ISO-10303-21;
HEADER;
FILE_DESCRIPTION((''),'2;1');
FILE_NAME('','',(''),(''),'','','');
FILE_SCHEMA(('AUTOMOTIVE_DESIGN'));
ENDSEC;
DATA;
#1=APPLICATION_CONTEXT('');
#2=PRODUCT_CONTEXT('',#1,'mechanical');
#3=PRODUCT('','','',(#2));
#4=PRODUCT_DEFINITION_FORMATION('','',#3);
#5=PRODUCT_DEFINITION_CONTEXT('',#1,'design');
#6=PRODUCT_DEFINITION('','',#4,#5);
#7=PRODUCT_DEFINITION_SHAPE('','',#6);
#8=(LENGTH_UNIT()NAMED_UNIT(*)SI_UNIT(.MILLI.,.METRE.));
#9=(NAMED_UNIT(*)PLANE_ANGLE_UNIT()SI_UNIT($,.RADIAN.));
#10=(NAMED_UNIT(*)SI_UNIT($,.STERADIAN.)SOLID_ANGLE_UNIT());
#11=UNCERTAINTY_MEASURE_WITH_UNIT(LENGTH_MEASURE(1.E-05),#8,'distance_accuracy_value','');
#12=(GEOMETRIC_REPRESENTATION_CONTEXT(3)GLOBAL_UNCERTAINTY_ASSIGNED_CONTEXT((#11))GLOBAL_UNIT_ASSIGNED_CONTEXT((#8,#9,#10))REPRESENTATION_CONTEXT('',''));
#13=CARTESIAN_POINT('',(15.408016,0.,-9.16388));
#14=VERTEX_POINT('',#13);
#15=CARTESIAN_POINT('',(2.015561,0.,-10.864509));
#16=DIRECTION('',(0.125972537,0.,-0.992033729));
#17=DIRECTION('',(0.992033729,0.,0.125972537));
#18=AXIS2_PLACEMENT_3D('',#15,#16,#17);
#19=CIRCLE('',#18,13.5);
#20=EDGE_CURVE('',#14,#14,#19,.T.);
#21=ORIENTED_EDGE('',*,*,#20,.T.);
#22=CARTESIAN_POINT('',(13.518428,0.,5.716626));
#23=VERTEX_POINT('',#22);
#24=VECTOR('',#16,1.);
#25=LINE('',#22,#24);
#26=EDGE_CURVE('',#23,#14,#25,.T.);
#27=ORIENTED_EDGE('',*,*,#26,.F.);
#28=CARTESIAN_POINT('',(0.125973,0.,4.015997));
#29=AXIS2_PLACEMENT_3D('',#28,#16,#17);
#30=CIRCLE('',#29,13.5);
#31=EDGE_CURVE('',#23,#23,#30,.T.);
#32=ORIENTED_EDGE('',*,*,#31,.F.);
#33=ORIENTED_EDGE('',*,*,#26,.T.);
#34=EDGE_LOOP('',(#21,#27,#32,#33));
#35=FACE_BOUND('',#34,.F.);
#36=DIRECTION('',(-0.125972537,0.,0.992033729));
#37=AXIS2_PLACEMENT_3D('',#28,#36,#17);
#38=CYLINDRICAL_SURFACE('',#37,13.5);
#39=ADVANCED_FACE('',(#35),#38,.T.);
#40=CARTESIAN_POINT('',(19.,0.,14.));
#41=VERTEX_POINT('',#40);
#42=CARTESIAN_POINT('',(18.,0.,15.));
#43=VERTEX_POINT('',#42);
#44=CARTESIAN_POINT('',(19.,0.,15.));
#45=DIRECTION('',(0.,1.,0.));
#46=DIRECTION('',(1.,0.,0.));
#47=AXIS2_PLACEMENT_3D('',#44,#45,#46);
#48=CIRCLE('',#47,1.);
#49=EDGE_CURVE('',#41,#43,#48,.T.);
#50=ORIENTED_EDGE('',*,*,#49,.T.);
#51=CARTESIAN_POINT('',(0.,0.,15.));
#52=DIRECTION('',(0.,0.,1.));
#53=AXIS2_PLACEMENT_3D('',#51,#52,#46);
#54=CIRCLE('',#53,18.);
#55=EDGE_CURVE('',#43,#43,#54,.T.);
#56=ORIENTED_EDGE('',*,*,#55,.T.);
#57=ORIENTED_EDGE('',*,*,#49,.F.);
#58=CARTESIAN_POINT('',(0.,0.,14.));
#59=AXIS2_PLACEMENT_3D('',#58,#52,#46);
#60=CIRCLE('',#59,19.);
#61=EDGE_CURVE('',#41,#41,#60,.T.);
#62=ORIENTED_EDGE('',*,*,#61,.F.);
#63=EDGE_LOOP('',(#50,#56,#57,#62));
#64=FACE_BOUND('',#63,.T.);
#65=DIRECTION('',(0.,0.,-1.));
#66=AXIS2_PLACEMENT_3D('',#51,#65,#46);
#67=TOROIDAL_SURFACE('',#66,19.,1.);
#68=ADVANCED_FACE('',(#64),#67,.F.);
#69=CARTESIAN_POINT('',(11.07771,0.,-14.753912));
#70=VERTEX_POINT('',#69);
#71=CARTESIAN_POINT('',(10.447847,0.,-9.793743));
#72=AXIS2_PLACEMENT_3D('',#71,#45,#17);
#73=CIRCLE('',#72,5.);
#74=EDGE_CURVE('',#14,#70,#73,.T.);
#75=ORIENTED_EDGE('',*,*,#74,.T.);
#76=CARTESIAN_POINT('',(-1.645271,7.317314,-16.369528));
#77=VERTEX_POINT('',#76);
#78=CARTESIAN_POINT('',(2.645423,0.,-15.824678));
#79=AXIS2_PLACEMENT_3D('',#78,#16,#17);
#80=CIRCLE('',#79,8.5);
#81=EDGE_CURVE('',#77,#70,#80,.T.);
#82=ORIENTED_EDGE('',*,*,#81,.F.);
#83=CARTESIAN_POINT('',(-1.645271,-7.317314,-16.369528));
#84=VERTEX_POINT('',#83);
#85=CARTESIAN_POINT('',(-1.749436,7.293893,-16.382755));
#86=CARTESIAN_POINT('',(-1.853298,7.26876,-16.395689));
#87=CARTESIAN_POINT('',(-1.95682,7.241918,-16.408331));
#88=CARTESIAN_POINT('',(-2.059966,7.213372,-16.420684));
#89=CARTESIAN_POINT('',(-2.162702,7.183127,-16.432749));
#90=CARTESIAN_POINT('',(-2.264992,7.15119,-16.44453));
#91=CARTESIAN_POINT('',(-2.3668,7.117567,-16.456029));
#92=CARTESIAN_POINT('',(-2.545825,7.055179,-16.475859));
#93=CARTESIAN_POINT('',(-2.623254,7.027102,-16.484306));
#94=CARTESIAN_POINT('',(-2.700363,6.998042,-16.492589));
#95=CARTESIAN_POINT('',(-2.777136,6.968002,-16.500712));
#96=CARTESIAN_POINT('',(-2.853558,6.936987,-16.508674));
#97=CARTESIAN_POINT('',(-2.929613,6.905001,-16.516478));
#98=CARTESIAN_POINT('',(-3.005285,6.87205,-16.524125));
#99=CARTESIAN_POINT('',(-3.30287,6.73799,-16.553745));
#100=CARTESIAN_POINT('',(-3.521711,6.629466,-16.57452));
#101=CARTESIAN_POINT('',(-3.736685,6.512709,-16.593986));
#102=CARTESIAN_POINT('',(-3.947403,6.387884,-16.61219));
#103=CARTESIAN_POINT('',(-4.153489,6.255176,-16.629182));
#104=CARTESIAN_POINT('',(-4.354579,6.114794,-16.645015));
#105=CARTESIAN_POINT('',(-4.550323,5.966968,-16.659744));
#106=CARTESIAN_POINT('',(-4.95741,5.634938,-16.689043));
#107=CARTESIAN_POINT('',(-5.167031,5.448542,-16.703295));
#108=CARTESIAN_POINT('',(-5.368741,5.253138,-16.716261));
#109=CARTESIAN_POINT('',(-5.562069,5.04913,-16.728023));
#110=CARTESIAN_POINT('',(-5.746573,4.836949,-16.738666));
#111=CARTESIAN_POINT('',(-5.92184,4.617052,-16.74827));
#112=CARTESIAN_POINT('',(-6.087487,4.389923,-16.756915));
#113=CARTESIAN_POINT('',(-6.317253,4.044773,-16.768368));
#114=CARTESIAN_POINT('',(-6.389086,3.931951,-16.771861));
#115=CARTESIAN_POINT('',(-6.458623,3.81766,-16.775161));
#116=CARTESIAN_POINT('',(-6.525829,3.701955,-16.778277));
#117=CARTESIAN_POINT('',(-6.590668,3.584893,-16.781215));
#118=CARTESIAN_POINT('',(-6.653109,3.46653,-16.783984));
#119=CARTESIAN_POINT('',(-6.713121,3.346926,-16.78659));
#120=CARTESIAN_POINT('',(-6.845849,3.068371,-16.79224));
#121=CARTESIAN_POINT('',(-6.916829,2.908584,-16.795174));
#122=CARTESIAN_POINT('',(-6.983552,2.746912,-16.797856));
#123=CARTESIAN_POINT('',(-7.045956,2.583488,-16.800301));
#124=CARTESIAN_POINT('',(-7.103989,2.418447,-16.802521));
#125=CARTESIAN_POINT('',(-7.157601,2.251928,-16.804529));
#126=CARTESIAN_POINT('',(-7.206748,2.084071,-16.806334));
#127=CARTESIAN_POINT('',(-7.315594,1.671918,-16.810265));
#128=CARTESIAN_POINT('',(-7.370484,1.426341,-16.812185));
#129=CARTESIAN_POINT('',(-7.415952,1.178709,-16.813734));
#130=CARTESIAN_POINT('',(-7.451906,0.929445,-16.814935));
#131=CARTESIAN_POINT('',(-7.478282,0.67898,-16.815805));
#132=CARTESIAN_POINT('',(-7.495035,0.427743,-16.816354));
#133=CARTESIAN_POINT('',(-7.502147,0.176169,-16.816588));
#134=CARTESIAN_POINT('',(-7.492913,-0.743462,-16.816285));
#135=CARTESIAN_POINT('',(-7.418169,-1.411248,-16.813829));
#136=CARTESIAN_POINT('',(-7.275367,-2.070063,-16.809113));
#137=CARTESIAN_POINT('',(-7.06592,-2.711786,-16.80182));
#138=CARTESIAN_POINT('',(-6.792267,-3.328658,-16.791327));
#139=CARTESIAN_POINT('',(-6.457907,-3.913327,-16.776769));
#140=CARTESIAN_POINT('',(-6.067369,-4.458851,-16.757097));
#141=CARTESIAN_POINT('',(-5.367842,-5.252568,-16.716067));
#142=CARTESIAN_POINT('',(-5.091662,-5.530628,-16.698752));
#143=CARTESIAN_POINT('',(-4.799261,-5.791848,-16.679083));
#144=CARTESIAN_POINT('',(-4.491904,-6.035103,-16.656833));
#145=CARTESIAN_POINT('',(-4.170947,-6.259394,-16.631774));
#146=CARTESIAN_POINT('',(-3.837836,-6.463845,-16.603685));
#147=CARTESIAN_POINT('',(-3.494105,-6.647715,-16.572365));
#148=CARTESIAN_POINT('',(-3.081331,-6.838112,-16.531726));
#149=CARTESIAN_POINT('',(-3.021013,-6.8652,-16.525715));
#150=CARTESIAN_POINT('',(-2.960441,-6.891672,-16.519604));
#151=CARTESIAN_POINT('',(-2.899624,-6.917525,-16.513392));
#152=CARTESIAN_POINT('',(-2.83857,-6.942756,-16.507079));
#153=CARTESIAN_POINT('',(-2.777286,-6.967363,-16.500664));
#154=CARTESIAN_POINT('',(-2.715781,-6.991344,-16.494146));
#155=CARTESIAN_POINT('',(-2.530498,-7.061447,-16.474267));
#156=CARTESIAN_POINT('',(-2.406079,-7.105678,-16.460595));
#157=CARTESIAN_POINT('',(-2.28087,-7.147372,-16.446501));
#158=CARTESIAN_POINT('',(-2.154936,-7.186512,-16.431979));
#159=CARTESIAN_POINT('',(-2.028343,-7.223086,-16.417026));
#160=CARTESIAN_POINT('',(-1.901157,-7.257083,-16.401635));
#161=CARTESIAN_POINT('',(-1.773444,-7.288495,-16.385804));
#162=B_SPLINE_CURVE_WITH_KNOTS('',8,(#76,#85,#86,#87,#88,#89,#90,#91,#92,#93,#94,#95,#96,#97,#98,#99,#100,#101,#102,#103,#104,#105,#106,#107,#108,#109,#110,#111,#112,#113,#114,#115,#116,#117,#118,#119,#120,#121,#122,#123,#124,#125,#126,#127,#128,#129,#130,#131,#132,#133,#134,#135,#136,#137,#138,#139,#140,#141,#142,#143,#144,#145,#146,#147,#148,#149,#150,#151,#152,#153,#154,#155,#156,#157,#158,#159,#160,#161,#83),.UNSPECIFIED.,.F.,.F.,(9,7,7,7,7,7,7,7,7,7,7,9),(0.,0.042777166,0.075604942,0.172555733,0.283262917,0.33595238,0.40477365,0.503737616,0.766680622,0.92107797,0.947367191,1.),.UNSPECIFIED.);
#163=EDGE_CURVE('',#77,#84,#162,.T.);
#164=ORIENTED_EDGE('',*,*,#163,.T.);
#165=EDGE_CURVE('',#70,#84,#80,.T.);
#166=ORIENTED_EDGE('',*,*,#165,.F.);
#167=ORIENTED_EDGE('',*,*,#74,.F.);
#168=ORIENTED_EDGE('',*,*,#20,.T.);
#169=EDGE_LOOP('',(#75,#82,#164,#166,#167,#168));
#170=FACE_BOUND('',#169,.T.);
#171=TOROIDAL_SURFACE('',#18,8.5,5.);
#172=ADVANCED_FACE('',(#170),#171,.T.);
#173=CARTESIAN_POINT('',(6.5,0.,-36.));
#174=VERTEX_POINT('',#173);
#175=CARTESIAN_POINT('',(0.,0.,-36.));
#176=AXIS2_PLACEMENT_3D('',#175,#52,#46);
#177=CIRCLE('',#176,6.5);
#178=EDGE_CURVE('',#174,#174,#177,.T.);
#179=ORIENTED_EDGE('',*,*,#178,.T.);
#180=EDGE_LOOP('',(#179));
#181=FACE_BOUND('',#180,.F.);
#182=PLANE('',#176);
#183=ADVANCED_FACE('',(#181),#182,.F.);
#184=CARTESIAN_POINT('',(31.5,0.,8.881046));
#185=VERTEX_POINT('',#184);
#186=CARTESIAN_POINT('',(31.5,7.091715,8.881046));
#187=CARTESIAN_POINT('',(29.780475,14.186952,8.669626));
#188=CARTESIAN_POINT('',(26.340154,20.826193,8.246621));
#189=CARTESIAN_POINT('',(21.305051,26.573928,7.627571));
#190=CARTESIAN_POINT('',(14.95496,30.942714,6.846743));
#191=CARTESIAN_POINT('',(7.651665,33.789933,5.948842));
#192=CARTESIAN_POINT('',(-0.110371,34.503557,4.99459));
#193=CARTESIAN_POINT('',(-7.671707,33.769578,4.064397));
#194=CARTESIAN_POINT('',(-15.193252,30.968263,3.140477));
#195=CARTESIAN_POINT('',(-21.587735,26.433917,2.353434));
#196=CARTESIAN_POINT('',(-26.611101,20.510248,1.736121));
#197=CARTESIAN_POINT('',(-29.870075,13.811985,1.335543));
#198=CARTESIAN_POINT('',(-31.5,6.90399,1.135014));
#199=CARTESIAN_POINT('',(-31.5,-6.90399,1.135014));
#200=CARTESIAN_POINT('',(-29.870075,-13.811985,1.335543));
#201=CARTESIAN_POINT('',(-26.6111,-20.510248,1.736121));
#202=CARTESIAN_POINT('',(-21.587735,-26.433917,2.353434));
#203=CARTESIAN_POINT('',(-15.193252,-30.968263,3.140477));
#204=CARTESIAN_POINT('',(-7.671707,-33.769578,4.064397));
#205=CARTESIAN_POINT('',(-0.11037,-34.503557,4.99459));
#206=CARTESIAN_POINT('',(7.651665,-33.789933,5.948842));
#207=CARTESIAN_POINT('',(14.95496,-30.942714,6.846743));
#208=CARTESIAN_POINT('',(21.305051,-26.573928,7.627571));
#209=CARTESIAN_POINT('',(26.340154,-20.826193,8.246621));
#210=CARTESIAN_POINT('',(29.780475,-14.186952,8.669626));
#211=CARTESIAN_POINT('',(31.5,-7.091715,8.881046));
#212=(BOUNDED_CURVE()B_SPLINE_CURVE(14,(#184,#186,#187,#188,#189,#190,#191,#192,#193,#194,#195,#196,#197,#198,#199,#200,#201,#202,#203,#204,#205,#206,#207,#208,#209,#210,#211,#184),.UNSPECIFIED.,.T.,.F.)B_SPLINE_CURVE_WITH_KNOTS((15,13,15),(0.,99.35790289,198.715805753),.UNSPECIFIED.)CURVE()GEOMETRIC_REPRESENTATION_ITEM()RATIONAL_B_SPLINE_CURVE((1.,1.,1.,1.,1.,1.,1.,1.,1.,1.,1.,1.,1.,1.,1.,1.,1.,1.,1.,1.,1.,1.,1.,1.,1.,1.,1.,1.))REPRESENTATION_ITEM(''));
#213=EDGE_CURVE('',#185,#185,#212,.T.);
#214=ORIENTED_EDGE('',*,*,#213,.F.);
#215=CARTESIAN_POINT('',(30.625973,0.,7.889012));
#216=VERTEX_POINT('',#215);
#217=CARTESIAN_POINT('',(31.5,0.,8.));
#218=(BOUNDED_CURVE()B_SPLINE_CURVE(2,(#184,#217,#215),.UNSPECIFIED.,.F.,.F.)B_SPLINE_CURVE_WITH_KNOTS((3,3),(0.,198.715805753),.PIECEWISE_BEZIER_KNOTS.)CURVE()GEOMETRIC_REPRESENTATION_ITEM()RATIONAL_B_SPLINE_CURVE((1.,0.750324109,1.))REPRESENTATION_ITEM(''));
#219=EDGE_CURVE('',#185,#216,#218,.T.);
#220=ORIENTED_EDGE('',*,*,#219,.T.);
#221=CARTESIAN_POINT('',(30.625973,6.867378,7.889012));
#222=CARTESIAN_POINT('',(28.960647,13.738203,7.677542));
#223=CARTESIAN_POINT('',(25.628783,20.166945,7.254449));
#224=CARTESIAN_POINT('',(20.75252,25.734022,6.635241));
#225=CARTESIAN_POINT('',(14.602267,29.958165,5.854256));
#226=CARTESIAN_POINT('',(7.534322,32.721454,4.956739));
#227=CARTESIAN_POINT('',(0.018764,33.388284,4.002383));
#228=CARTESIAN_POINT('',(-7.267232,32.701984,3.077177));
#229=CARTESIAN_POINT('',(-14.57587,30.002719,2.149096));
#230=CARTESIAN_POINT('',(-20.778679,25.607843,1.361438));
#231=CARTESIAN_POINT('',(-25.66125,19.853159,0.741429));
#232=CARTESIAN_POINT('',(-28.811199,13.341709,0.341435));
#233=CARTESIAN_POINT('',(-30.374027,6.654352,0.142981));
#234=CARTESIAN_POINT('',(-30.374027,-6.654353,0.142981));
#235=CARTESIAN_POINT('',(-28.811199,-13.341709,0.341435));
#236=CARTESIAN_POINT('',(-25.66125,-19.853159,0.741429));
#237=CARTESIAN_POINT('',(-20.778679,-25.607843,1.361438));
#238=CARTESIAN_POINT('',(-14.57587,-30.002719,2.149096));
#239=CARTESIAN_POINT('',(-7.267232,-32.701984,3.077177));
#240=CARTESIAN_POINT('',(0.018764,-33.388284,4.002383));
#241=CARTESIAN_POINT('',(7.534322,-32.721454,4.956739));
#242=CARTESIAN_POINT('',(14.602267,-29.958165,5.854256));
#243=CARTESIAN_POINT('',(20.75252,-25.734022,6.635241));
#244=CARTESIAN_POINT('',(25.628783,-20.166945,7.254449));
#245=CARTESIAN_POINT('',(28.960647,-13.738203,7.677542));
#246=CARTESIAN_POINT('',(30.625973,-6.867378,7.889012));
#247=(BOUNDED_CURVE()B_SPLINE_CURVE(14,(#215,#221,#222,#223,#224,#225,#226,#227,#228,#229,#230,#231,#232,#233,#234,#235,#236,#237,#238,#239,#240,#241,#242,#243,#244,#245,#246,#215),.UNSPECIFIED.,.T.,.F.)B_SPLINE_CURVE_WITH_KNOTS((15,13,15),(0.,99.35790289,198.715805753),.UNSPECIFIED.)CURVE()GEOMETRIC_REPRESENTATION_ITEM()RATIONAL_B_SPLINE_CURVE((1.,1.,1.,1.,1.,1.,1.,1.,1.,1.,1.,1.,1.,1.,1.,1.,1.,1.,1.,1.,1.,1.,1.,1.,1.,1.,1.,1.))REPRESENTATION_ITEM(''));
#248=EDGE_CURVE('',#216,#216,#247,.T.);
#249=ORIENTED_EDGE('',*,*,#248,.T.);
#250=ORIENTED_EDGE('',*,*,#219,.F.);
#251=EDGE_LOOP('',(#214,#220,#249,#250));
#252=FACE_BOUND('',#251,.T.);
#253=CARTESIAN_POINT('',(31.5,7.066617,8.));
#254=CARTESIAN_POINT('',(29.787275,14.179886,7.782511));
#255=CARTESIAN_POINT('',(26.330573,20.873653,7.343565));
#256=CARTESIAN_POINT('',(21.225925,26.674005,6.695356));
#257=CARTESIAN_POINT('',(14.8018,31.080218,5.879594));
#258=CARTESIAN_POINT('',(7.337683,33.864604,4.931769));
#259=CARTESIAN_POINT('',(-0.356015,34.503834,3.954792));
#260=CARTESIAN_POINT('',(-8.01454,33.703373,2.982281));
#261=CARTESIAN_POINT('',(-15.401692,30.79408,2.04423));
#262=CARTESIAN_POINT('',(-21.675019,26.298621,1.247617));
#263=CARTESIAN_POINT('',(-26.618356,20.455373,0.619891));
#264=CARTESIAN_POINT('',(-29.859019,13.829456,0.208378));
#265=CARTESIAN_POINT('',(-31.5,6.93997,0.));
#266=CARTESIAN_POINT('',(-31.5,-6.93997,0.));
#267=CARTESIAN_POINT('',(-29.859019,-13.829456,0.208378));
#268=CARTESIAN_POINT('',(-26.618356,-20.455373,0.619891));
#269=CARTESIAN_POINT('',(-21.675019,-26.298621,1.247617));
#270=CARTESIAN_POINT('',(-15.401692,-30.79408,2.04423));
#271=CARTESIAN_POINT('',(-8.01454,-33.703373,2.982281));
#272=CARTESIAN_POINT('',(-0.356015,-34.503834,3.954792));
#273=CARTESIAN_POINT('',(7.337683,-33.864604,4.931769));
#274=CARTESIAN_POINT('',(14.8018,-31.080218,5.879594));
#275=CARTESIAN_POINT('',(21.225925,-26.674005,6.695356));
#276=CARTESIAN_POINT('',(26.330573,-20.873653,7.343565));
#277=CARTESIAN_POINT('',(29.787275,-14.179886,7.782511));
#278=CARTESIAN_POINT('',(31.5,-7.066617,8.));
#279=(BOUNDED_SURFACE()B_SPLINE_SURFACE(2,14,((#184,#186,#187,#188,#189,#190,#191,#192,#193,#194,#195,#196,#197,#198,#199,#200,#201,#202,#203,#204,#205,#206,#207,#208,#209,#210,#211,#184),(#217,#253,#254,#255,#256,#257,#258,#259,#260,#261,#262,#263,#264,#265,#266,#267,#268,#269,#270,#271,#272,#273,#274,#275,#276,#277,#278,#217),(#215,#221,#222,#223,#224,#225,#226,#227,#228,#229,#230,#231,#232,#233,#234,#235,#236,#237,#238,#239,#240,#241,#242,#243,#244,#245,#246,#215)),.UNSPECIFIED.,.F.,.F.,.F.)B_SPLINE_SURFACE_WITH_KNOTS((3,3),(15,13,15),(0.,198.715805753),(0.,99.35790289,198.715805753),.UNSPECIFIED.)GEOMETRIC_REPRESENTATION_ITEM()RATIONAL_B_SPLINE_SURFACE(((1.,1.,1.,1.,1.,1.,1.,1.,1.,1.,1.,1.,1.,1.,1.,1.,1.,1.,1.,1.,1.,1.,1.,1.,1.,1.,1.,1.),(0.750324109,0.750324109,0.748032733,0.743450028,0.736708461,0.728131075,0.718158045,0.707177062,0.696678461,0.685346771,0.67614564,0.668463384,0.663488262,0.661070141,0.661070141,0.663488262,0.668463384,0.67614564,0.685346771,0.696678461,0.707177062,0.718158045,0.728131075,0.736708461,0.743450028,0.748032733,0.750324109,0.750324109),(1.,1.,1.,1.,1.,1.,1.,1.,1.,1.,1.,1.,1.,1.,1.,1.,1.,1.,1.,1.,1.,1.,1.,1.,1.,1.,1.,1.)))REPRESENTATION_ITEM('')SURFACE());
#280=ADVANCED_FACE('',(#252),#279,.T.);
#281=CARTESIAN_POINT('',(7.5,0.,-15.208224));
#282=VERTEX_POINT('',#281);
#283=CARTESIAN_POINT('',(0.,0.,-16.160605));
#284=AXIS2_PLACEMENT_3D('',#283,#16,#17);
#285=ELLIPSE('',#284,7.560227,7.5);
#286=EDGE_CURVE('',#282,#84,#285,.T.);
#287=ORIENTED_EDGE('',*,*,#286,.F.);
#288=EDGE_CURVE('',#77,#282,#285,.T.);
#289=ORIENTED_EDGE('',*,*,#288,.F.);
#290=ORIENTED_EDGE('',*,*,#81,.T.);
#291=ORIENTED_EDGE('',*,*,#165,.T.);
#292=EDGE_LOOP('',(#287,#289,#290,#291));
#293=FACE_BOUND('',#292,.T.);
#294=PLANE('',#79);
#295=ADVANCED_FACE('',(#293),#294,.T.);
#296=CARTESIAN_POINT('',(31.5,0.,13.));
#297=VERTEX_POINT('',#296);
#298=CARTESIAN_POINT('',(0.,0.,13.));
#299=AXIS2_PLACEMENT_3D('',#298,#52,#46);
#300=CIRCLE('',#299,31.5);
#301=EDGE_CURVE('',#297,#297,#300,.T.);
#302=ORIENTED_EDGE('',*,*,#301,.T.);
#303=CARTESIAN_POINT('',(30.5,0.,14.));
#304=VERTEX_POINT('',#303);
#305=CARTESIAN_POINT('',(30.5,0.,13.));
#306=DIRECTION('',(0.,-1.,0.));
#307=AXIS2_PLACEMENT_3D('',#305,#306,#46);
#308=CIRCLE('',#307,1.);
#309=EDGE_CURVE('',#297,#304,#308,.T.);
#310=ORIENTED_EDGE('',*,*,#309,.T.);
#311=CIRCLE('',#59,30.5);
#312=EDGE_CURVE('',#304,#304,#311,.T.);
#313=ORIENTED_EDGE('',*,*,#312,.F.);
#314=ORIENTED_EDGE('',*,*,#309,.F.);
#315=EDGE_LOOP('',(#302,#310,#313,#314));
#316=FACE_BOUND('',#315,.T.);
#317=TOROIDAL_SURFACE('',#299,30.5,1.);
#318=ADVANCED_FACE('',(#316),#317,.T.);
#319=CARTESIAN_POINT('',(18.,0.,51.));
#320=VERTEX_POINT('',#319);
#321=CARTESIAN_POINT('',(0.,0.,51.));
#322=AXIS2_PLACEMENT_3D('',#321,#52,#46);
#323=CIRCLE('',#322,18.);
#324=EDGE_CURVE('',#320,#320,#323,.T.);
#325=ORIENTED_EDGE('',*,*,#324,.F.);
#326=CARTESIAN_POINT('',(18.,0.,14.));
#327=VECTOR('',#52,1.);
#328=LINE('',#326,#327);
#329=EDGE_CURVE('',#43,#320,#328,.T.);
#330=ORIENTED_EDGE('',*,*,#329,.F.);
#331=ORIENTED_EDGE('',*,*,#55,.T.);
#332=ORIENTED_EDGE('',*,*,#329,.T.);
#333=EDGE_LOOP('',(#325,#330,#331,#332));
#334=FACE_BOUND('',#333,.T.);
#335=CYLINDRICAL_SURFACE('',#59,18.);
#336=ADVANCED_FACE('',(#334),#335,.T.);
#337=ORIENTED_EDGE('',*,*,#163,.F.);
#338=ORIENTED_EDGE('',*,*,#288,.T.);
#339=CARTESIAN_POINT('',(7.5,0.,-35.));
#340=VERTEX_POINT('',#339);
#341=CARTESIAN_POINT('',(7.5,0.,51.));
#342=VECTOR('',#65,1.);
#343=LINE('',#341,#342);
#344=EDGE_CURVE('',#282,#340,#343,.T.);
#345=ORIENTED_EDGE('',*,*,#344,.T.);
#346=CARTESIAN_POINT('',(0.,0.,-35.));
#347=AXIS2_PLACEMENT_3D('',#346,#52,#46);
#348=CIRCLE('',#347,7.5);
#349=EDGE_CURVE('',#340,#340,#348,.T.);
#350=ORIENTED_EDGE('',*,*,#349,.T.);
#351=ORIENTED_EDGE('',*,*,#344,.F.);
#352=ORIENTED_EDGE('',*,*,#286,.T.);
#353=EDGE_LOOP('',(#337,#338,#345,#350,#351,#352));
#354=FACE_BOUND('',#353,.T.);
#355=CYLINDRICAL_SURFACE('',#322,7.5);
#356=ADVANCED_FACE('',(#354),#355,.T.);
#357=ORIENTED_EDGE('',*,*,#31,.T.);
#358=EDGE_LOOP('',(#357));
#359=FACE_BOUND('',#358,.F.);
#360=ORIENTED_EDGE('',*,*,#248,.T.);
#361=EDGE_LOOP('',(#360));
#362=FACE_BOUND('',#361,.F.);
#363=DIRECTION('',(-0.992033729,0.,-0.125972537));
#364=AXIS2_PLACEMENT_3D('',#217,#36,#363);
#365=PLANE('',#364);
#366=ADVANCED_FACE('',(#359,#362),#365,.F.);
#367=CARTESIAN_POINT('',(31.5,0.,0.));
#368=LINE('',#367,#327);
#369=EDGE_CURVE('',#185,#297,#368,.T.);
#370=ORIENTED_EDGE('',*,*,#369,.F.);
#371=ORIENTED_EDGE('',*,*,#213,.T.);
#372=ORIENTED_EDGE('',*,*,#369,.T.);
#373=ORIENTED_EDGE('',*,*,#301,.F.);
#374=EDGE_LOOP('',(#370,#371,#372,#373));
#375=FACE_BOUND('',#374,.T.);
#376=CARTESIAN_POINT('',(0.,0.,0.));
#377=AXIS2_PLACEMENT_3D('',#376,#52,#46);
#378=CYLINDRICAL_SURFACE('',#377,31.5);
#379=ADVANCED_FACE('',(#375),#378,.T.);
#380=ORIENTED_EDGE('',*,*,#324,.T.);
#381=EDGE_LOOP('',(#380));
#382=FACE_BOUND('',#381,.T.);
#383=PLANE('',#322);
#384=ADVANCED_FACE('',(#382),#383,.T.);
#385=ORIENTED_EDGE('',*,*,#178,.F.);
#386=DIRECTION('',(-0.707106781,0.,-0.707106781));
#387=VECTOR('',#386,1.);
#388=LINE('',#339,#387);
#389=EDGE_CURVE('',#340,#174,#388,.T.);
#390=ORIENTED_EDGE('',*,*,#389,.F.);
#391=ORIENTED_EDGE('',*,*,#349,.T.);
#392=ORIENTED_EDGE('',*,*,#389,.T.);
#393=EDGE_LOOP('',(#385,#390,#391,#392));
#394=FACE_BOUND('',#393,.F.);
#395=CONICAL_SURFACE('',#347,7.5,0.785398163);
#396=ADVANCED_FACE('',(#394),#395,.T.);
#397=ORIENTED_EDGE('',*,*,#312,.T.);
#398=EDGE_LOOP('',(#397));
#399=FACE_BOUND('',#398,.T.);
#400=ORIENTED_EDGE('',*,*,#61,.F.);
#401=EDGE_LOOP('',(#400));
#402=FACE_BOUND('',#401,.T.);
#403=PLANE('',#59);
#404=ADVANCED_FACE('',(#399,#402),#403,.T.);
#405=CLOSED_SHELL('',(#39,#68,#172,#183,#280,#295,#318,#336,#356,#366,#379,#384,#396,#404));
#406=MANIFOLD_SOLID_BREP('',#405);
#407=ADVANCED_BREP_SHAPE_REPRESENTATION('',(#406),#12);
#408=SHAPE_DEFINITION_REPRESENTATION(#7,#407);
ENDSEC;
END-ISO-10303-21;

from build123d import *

# Parameters (mm, degrees)
F3_DEPTH = 50
F4_R     = 1
F5_R     = 13.5
F6_DEPTH = 20
F7_R     = 5
F8_R     = 7.5
F9_DEPTH = 87
F10_SIZE = 1


with BuildPart() as f1:
    # F0 (on Front) → F1 (revolve)
    with BuildSketch(Plane.XZ):
        Polygon((0, 51), (0, 0), (31.5, 0), (31.5, 14), (18, 14), (18, 51), align=None)
    revolve(axis=Axis((0, 0, 24.5041578436), (0, 0, 1)))

    # F2 (on Front) → F3 (cut, symmetric)
    with BuildSketch(Plane.XZ):
        Polygon((31.5, 8), (-31.5, 0), (31.5, 0), align=None)
    extrude(amount=F3_DEPTH, both=True, mode=Mode.SUBTRACT)

    # F4
    f4_edges = [f1.edges().sort_by_distance(p)[0] for p in [
        (0, 31.5, 4),
        (0, -31.5, 4),
        (-31.5, 0, 14),
        (-18, 0, 14),
    ]]
    fillet(f4_edges, radius=F4_R)

    # F5 (on face) → F6 (join)
    with BuildSketch(Plane(origin=(-0.4998760228, 0, 3.9365236796), x_dir=(0.9920337292, 0, 0.125972537), z_dir=(0.125972537, 0, -0.9920337292))):
        with Locations((0.6308742752, 0)):
            Circle(F5_R)
    extrude(amount=F6_DEPTH)

    # F7
    f7_edges = [f1.edges().sort_by_distance(p)[0] for p in [
        (-10.747032, 0, -17.525307),
    ]]
    fillet(f7_edges, radius=F7_R)

    # F8 (on face) → F9 (join)
    with BuildSketch(Plane.XY.offset(51)):
        Circle(F8_R)
    extrude(amount=-F9_DEPTH)

    # F10
    f10_edges = [f1.edges().sort_by_distance(p)[0] for p in [
        (-7.5, 0, -36),
    ]]
    chamfer(f10_edges, length=F10_SIZE)


solid = f1.part
